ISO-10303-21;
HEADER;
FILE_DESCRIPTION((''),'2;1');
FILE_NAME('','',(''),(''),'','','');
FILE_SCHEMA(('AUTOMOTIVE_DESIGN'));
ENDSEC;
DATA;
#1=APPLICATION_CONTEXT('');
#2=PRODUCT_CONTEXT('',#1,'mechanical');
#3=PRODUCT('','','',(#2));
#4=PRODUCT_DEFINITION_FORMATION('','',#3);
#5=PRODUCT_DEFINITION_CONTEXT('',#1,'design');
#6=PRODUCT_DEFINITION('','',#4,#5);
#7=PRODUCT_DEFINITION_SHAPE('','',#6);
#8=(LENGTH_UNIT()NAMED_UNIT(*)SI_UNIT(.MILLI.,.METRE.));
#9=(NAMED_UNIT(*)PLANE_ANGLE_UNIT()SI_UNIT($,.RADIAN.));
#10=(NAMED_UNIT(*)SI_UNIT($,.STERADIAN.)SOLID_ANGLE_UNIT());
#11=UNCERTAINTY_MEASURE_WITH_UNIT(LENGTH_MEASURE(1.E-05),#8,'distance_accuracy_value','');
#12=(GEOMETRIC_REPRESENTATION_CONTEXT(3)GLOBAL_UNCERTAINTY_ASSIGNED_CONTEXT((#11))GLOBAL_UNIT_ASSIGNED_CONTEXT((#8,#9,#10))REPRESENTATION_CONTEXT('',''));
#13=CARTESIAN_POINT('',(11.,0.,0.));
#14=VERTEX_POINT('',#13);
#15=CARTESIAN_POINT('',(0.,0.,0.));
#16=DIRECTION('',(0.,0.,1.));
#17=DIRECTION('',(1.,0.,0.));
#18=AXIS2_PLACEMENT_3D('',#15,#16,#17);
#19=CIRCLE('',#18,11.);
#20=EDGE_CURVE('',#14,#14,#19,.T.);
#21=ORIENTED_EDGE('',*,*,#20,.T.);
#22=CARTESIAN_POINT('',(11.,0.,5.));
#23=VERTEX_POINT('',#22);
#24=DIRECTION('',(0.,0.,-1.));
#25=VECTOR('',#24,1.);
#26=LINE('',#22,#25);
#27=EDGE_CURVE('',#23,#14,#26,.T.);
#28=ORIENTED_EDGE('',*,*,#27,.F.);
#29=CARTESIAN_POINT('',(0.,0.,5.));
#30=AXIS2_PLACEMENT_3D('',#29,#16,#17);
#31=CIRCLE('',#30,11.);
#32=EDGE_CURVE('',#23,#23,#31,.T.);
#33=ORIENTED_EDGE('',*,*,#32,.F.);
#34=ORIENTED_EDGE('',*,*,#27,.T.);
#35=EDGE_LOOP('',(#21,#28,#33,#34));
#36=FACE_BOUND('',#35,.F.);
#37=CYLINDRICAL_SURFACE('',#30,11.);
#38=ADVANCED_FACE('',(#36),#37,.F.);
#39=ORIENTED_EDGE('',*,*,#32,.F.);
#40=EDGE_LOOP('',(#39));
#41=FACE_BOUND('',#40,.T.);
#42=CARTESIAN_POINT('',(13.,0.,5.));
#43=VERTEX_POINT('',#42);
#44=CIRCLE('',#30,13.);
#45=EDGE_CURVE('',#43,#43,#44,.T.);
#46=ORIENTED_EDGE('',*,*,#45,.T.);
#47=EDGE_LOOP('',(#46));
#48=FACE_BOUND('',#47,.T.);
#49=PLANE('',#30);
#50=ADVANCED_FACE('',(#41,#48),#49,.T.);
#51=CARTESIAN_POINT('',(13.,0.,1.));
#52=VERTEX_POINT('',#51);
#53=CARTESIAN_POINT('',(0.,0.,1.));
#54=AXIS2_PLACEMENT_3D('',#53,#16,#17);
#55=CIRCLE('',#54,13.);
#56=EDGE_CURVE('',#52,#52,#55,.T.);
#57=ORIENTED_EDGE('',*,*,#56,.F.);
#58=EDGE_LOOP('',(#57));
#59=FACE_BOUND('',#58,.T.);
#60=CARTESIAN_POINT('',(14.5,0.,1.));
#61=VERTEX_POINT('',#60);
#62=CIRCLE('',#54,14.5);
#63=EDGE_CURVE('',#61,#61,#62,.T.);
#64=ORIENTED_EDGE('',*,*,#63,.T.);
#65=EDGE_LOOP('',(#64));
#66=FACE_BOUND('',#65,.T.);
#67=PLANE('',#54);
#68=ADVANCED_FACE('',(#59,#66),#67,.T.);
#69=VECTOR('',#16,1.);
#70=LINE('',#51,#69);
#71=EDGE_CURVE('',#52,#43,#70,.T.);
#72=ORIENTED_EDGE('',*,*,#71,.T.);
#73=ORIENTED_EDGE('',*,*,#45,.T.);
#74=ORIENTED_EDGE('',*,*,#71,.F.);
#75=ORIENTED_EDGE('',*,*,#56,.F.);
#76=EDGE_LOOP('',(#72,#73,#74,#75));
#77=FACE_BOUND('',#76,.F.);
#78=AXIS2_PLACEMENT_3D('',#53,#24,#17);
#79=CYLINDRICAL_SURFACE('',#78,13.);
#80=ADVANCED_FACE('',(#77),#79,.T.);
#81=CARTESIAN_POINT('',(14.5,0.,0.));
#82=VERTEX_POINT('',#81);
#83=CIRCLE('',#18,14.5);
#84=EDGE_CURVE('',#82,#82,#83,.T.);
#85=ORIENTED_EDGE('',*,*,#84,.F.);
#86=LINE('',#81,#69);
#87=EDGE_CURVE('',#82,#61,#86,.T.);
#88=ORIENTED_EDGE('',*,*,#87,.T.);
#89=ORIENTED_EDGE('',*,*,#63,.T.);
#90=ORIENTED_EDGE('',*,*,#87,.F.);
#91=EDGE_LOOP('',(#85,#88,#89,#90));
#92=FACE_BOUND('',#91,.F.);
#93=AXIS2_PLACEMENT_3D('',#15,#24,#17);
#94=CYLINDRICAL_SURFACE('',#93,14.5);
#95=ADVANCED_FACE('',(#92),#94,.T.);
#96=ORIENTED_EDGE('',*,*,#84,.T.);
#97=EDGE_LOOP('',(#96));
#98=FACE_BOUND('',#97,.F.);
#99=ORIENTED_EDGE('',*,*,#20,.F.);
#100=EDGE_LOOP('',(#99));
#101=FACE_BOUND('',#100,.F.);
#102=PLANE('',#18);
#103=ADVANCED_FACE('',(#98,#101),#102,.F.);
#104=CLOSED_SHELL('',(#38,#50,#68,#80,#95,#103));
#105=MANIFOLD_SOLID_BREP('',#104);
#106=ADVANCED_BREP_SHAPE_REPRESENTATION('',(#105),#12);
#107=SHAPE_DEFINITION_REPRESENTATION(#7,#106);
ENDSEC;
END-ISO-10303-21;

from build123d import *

# Parameters (mm, degrees)
SKETCH_R     = 14.5
PAD_DEPTH    = 1
SKETCH001_R  = 13
PAD001_DEPTH = 4
SKETCH002_R  = 11
POCKET_DEPTH = 5


with BuildPart() as part:
    # Sketch → Pad (new body)
    with BuildSketch(Plane.XY):
        Circle(SKETCH_R)
    extrude(amount=PAD_DEPTH)

    # Sketch001 → Pad001 (new body)
    with BuildSketch(Plane.XY.offset(1)):
        Circle(SKETCH001_R)
    extrude(amount=PAD001_DEPTH)

    # Sketch002 → Pocket (cut)
    with BuildSketch(Plane.XY.offset(5)):
        Circle(SKETCH002_R)
    extrude(amount=-POCKET_DEPTH, mode=Mode.SUBTRACT)


solid = part.part
